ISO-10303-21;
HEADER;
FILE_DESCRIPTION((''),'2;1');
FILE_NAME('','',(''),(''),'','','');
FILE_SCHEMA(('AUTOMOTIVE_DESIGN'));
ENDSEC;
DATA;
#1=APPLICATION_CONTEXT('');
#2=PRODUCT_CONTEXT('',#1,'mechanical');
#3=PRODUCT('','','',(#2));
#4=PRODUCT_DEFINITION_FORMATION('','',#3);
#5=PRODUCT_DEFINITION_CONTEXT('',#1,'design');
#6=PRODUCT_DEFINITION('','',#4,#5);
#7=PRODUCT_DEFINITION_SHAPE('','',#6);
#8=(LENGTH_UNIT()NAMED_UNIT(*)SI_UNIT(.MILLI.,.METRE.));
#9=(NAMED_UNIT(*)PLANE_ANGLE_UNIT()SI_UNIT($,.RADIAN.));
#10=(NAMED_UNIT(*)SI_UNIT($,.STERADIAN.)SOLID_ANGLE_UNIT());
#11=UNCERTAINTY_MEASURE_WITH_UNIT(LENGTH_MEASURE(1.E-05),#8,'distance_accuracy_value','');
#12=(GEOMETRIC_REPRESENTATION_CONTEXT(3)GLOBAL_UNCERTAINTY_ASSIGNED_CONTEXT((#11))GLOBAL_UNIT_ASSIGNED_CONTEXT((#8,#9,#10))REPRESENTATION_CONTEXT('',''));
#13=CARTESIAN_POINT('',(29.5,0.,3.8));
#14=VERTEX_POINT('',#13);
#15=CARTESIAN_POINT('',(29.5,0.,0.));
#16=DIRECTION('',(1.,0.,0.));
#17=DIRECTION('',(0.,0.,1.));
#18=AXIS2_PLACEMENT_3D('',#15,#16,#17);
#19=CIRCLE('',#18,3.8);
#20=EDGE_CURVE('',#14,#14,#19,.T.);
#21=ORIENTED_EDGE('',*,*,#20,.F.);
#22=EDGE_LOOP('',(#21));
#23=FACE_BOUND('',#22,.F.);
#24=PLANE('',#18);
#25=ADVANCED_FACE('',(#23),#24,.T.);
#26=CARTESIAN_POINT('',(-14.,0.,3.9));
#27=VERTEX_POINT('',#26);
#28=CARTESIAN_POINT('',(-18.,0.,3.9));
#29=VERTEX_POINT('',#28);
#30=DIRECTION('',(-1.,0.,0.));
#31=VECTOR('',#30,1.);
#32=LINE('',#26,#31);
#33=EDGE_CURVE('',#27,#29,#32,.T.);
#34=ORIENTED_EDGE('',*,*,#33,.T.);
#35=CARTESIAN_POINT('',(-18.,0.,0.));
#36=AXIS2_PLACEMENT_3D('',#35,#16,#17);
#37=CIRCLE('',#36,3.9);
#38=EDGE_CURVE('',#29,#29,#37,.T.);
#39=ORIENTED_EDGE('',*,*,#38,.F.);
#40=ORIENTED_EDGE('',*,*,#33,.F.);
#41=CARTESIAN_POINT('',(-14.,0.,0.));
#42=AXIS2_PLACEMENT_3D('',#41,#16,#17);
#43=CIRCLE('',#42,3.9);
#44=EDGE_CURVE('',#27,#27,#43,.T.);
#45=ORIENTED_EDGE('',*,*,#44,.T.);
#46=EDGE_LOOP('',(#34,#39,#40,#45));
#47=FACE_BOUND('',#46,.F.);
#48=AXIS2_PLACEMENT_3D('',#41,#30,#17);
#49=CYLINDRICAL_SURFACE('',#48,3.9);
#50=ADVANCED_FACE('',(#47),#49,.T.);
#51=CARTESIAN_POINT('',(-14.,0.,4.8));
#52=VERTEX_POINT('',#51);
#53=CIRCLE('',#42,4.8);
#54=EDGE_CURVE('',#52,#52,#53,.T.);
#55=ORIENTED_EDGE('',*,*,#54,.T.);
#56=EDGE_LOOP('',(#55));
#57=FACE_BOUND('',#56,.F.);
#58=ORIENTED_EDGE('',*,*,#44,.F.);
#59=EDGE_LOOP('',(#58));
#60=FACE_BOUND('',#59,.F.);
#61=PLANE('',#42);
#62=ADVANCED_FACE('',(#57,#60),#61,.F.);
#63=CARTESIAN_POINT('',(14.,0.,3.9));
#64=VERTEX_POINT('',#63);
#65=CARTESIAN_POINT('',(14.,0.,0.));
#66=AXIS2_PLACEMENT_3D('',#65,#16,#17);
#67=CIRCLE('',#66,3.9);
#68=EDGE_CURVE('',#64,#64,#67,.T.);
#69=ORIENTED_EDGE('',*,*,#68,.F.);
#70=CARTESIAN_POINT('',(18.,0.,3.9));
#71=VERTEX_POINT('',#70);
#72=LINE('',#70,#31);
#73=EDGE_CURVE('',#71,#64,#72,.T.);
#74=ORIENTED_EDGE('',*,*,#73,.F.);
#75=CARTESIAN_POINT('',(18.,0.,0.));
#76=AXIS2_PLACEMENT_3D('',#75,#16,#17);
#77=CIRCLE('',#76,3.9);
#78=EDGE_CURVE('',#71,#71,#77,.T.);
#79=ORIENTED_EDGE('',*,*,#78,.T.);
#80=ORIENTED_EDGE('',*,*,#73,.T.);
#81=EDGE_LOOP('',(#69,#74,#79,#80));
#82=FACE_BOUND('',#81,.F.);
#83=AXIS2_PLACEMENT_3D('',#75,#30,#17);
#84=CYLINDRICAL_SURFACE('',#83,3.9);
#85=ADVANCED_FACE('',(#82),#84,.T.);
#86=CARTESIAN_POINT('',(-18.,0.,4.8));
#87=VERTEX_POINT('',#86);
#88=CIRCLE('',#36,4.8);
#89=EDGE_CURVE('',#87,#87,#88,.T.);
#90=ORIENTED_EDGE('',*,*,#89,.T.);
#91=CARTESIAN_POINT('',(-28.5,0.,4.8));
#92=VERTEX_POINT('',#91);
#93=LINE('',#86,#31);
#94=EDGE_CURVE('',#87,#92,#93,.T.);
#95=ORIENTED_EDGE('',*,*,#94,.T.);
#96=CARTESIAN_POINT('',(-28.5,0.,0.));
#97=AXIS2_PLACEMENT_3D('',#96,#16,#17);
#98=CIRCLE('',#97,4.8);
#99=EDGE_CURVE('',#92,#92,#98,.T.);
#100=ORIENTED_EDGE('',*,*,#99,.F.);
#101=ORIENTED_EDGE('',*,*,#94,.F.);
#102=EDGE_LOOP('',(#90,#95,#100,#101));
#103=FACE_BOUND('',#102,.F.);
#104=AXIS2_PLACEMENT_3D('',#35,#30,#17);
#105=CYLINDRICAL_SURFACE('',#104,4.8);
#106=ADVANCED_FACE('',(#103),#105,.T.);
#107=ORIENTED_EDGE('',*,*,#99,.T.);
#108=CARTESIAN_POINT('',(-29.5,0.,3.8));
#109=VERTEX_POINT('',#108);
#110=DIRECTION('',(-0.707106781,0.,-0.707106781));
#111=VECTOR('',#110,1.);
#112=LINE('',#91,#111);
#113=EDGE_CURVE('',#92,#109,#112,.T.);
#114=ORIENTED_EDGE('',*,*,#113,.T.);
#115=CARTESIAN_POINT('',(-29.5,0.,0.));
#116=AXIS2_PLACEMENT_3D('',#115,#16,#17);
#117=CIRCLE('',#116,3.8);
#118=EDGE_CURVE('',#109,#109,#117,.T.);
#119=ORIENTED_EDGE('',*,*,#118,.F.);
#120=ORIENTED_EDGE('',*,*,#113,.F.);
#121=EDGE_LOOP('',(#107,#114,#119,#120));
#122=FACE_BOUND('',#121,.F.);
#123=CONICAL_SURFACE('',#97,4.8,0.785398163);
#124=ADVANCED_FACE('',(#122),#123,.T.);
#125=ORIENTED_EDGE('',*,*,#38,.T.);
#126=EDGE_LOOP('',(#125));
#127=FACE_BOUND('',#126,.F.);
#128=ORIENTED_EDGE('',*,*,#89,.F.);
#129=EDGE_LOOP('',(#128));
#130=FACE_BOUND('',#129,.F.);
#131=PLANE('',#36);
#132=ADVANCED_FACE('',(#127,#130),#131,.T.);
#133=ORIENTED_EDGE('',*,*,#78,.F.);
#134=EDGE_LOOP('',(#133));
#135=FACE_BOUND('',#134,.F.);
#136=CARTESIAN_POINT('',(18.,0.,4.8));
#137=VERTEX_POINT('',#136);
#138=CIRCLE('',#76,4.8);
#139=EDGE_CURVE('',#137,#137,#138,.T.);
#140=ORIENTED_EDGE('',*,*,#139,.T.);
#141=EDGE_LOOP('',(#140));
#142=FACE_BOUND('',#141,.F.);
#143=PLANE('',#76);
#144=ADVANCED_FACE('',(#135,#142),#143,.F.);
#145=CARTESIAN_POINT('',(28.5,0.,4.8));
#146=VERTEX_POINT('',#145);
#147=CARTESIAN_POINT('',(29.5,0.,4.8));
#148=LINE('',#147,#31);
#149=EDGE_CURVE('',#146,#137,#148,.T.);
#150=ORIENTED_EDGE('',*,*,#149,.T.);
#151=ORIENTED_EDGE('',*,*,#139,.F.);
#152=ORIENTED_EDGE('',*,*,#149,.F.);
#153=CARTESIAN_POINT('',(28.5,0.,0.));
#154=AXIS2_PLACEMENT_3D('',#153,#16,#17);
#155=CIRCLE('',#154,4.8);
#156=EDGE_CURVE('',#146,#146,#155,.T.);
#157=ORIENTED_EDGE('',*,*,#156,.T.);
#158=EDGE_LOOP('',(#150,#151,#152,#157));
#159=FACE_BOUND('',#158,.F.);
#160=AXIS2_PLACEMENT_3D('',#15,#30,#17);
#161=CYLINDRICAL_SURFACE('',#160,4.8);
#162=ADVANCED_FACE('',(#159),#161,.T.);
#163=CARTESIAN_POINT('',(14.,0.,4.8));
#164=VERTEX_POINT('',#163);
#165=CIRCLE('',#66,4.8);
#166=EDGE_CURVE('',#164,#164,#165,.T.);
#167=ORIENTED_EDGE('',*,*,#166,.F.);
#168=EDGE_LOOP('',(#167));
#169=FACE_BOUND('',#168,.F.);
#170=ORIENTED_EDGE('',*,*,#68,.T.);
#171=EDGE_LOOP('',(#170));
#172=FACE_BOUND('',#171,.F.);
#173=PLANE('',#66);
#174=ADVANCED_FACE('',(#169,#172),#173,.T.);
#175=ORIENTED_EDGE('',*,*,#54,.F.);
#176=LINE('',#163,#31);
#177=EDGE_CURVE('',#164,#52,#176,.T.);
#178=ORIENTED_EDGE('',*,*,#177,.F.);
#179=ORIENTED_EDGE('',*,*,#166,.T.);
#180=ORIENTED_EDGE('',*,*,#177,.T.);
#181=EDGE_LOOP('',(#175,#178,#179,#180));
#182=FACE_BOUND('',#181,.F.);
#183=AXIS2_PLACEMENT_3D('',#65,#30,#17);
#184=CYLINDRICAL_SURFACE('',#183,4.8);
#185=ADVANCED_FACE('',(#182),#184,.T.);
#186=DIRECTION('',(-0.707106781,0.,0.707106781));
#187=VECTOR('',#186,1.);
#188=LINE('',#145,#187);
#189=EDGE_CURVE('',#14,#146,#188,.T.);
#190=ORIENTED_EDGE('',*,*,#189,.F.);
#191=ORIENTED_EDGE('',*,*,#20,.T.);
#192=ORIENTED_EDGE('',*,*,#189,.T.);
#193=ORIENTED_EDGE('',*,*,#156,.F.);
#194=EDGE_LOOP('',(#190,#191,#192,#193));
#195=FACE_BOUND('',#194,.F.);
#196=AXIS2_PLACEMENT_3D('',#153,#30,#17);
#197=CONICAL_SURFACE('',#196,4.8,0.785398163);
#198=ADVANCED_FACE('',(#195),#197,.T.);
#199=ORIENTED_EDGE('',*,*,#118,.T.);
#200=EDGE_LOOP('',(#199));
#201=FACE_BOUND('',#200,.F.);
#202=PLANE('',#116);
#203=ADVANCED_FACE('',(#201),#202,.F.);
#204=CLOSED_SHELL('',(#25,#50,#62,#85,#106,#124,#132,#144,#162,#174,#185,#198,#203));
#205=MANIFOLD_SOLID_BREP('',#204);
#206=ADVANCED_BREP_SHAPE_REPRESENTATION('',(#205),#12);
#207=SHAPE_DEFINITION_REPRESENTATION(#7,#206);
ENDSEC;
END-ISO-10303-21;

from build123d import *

# Parameters (mm, degrees)
F2_SIZE = 1


with BuildPart() as f1:
    # F0 (on Front) → F1 (revolve)
    with BuildSketch(Plane.XZ):
        Polygon((-18, 4.8), (-29.5, 4.8), (-29.5, 0), (29.5, 0), (29.5, 4.8), (18, 4.8), (18, 3.9), (14, 3.9), (14, 4.8), (-14, 4.8), (-14, 3.9), (-18, 3.9), align=None)
    revolve(axis=Axis((0, 0, 0), (1, 0, 0)))

    # F2
    f2_edges = [f1.edges().sort_by_distance(p)[0] for p in [
        (-29.5, 0, -4.8),
        (29.5, 0, -4.8),
    ]]
    chamfer(f2_edges, length=F2_SIZE)


solid = f1.part
